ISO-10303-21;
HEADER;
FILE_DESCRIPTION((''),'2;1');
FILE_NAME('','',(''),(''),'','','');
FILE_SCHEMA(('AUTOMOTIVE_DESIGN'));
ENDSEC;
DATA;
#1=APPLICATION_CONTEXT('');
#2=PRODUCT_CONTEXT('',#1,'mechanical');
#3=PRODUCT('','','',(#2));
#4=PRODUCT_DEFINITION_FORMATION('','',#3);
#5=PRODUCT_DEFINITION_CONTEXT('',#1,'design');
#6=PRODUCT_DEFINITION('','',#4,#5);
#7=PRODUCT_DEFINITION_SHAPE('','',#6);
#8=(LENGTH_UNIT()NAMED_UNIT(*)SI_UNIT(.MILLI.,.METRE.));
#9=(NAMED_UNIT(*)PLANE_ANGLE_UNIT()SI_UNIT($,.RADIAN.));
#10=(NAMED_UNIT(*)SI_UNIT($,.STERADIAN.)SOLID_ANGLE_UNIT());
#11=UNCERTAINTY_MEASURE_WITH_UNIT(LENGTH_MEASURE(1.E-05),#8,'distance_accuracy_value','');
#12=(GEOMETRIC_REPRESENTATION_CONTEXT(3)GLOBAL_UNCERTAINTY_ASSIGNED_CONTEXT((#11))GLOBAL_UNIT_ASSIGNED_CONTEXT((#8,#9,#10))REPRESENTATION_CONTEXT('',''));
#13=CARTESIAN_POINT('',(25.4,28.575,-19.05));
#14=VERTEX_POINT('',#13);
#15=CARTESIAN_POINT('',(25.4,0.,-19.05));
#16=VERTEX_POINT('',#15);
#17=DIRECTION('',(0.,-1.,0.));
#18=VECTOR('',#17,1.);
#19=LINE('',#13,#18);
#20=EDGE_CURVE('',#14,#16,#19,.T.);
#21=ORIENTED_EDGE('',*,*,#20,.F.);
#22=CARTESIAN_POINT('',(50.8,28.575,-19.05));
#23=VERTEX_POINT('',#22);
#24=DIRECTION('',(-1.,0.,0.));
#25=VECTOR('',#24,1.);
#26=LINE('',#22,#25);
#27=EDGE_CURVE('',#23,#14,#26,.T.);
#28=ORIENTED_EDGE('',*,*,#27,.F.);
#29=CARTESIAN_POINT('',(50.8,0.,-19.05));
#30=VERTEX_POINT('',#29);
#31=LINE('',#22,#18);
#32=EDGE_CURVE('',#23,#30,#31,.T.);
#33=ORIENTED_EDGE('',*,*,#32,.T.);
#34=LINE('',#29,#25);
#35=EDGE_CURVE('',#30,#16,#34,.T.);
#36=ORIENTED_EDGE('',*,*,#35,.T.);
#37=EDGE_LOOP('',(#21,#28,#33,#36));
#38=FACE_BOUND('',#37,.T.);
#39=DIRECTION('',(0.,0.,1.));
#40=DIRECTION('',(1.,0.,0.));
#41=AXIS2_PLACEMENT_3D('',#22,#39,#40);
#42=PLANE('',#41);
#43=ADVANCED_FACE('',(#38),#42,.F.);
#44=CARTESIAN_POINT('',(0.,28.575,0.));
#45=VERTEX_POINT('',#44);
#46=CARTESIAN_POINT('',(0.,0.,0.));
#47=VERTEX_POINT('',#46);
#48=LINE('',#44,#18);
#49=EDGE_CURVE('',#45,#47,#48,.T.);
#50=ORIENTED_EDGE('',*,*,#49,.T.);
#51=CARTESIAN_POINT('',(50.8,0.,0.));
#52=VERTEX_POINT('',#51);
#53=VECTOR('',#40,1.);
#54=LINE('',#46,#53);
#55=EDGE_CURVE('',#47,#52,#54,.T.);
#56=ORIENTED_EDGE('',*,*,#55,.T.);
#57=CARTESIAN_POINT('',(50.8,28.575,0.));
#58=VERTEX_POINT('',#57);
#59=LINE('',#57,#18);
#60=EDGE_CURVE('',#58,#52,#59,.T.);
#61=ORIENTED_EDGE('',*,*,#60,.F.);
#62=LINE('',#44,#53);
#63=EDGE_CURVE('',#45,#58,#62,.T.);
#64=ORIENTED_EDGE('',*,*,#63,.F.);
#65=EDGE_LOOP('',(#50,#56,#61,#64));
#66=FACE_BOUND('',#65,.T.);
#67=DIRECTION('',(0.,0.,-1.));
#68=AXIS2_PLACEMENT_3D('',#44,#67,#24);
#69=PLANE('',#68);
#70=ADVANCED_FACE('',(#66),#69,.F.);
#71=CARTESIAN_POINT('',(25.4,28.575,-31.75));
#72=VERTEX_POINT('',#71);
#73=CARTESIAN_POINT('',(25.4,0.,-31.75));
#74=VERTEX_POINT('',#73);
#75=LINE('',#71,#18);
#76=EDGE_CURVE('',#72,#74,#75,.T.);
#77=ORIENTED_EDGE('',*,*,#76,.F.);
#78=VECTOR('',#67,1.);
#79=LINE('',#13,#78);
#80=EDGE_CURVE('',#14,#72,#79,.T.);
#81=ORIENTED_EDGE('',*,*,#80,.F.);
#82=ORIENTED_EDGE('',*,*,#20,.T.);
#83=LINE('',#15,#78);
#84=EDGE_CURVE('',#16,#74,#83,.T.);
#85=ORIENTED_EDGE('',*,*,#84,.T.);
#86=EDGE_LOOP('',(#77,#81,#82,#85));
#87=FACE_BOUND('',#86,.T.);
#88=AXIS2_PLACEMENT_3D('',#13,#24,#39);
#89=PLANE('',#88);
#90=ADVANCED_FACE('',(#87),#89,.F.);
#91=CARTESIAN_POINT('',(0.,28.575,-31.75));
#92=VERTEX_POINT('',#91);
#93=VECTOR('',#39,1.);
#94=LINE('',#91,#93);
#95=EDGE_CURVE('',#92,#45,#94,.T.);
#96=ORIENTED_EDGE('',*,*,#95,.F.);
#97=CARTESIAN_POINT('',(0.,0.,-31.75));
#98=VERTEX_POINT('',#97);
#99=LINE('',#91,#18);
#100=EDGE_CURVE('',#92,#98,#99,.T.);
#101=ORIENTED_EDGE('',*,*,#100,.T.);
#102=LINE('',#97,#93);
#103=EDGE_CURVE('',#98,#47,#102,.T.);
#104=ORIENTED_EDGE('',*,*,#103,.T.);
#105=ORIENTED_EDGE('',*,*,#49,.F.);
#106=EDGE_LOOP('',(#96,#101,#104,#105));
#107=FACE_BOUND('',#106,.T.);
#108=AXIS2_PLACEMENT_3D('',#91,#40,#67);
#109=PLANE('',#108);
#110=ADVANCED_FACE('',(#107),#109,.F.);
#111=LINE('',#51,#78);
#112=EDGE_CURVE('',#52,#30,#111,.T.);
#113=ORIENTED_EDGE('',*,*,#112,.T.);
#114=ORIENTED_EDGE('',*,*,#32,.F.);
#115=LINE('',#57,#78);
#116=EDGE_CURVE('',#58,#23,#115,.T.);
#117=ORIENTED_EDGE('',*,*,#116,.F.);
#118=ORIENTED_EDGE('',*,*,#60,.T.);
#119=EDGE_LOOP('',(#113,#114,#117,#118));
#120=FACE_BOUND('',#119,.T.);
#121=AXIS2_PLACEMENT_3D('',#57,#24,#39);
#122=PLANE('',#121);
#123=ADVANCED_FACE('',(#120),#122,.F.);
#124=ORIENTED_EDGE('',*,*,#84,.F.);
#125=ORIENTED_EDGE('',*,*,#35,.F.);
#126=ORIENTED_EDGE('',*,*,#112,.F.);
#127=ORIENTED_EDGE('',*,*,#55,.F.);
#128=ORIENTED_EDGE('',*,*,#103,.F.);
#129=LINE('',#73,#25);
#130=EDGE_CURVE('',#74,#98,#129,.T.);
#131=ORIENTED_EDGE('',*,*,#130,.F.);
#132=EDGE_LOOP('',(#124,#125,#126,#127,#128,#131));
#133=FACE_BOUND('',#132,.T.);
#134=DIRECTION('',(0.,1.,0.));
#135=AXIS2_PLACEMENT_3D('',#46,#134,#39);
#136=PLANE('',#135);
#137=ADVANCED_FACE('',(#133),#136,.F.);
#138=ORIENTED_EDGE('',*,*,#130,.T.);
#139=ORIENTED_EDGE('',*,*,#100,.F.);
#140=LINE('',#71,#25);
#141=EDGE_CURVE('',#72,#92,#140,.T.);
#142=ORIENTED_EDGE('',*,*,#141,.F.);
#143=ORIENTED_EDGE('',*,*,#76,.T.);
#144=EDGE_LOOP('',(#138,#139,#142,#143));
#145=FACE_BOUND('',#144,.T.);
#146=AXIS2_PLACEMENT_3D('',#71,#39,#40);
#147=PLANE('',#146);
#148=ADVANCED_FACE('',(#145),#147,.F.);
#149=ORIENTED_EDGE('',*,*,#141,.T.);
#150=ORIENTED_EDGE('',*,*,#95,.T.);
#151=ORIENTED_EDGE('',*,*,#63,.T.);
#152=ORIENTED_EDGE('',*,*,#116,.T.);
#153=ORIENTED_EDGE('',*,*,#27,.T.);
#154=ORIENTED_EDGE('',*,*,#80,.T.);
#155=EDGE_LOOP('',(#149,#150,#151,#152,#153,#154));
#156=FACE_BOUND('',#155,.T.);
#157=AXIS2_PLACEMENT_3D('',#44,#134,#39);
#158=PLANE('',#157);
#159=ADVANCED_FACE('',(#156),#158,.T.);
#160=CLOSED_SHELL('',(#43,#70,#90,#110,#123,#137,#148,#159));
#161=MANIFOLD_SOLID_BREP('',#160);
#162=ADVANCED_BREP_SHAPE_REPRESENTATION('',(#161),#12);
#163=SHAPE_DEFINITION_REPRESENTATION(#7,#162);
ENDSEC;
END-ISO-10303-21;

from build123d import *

# Parameters (mm, degrees)
BOSS_EXTRUDE1_DEPTH = 28.575


with BuildPart() as part:
    # Sketch1 → Boss-Extrude1 (new body)
    with BuildSketch(Plane(origin=(0, 0, 0), x_dir=(1, 0, 0), z_dir=(0, 1, 0))):
        Polygon((0, 31.75), (0, 0), (50.8, 0), (50.8, 19.05), (25.4, 19.05), (25.4, 31.75), align=None)
    extrude(amount=BOSS_EXTRUDE1_DEPTH)


solid = part.part
